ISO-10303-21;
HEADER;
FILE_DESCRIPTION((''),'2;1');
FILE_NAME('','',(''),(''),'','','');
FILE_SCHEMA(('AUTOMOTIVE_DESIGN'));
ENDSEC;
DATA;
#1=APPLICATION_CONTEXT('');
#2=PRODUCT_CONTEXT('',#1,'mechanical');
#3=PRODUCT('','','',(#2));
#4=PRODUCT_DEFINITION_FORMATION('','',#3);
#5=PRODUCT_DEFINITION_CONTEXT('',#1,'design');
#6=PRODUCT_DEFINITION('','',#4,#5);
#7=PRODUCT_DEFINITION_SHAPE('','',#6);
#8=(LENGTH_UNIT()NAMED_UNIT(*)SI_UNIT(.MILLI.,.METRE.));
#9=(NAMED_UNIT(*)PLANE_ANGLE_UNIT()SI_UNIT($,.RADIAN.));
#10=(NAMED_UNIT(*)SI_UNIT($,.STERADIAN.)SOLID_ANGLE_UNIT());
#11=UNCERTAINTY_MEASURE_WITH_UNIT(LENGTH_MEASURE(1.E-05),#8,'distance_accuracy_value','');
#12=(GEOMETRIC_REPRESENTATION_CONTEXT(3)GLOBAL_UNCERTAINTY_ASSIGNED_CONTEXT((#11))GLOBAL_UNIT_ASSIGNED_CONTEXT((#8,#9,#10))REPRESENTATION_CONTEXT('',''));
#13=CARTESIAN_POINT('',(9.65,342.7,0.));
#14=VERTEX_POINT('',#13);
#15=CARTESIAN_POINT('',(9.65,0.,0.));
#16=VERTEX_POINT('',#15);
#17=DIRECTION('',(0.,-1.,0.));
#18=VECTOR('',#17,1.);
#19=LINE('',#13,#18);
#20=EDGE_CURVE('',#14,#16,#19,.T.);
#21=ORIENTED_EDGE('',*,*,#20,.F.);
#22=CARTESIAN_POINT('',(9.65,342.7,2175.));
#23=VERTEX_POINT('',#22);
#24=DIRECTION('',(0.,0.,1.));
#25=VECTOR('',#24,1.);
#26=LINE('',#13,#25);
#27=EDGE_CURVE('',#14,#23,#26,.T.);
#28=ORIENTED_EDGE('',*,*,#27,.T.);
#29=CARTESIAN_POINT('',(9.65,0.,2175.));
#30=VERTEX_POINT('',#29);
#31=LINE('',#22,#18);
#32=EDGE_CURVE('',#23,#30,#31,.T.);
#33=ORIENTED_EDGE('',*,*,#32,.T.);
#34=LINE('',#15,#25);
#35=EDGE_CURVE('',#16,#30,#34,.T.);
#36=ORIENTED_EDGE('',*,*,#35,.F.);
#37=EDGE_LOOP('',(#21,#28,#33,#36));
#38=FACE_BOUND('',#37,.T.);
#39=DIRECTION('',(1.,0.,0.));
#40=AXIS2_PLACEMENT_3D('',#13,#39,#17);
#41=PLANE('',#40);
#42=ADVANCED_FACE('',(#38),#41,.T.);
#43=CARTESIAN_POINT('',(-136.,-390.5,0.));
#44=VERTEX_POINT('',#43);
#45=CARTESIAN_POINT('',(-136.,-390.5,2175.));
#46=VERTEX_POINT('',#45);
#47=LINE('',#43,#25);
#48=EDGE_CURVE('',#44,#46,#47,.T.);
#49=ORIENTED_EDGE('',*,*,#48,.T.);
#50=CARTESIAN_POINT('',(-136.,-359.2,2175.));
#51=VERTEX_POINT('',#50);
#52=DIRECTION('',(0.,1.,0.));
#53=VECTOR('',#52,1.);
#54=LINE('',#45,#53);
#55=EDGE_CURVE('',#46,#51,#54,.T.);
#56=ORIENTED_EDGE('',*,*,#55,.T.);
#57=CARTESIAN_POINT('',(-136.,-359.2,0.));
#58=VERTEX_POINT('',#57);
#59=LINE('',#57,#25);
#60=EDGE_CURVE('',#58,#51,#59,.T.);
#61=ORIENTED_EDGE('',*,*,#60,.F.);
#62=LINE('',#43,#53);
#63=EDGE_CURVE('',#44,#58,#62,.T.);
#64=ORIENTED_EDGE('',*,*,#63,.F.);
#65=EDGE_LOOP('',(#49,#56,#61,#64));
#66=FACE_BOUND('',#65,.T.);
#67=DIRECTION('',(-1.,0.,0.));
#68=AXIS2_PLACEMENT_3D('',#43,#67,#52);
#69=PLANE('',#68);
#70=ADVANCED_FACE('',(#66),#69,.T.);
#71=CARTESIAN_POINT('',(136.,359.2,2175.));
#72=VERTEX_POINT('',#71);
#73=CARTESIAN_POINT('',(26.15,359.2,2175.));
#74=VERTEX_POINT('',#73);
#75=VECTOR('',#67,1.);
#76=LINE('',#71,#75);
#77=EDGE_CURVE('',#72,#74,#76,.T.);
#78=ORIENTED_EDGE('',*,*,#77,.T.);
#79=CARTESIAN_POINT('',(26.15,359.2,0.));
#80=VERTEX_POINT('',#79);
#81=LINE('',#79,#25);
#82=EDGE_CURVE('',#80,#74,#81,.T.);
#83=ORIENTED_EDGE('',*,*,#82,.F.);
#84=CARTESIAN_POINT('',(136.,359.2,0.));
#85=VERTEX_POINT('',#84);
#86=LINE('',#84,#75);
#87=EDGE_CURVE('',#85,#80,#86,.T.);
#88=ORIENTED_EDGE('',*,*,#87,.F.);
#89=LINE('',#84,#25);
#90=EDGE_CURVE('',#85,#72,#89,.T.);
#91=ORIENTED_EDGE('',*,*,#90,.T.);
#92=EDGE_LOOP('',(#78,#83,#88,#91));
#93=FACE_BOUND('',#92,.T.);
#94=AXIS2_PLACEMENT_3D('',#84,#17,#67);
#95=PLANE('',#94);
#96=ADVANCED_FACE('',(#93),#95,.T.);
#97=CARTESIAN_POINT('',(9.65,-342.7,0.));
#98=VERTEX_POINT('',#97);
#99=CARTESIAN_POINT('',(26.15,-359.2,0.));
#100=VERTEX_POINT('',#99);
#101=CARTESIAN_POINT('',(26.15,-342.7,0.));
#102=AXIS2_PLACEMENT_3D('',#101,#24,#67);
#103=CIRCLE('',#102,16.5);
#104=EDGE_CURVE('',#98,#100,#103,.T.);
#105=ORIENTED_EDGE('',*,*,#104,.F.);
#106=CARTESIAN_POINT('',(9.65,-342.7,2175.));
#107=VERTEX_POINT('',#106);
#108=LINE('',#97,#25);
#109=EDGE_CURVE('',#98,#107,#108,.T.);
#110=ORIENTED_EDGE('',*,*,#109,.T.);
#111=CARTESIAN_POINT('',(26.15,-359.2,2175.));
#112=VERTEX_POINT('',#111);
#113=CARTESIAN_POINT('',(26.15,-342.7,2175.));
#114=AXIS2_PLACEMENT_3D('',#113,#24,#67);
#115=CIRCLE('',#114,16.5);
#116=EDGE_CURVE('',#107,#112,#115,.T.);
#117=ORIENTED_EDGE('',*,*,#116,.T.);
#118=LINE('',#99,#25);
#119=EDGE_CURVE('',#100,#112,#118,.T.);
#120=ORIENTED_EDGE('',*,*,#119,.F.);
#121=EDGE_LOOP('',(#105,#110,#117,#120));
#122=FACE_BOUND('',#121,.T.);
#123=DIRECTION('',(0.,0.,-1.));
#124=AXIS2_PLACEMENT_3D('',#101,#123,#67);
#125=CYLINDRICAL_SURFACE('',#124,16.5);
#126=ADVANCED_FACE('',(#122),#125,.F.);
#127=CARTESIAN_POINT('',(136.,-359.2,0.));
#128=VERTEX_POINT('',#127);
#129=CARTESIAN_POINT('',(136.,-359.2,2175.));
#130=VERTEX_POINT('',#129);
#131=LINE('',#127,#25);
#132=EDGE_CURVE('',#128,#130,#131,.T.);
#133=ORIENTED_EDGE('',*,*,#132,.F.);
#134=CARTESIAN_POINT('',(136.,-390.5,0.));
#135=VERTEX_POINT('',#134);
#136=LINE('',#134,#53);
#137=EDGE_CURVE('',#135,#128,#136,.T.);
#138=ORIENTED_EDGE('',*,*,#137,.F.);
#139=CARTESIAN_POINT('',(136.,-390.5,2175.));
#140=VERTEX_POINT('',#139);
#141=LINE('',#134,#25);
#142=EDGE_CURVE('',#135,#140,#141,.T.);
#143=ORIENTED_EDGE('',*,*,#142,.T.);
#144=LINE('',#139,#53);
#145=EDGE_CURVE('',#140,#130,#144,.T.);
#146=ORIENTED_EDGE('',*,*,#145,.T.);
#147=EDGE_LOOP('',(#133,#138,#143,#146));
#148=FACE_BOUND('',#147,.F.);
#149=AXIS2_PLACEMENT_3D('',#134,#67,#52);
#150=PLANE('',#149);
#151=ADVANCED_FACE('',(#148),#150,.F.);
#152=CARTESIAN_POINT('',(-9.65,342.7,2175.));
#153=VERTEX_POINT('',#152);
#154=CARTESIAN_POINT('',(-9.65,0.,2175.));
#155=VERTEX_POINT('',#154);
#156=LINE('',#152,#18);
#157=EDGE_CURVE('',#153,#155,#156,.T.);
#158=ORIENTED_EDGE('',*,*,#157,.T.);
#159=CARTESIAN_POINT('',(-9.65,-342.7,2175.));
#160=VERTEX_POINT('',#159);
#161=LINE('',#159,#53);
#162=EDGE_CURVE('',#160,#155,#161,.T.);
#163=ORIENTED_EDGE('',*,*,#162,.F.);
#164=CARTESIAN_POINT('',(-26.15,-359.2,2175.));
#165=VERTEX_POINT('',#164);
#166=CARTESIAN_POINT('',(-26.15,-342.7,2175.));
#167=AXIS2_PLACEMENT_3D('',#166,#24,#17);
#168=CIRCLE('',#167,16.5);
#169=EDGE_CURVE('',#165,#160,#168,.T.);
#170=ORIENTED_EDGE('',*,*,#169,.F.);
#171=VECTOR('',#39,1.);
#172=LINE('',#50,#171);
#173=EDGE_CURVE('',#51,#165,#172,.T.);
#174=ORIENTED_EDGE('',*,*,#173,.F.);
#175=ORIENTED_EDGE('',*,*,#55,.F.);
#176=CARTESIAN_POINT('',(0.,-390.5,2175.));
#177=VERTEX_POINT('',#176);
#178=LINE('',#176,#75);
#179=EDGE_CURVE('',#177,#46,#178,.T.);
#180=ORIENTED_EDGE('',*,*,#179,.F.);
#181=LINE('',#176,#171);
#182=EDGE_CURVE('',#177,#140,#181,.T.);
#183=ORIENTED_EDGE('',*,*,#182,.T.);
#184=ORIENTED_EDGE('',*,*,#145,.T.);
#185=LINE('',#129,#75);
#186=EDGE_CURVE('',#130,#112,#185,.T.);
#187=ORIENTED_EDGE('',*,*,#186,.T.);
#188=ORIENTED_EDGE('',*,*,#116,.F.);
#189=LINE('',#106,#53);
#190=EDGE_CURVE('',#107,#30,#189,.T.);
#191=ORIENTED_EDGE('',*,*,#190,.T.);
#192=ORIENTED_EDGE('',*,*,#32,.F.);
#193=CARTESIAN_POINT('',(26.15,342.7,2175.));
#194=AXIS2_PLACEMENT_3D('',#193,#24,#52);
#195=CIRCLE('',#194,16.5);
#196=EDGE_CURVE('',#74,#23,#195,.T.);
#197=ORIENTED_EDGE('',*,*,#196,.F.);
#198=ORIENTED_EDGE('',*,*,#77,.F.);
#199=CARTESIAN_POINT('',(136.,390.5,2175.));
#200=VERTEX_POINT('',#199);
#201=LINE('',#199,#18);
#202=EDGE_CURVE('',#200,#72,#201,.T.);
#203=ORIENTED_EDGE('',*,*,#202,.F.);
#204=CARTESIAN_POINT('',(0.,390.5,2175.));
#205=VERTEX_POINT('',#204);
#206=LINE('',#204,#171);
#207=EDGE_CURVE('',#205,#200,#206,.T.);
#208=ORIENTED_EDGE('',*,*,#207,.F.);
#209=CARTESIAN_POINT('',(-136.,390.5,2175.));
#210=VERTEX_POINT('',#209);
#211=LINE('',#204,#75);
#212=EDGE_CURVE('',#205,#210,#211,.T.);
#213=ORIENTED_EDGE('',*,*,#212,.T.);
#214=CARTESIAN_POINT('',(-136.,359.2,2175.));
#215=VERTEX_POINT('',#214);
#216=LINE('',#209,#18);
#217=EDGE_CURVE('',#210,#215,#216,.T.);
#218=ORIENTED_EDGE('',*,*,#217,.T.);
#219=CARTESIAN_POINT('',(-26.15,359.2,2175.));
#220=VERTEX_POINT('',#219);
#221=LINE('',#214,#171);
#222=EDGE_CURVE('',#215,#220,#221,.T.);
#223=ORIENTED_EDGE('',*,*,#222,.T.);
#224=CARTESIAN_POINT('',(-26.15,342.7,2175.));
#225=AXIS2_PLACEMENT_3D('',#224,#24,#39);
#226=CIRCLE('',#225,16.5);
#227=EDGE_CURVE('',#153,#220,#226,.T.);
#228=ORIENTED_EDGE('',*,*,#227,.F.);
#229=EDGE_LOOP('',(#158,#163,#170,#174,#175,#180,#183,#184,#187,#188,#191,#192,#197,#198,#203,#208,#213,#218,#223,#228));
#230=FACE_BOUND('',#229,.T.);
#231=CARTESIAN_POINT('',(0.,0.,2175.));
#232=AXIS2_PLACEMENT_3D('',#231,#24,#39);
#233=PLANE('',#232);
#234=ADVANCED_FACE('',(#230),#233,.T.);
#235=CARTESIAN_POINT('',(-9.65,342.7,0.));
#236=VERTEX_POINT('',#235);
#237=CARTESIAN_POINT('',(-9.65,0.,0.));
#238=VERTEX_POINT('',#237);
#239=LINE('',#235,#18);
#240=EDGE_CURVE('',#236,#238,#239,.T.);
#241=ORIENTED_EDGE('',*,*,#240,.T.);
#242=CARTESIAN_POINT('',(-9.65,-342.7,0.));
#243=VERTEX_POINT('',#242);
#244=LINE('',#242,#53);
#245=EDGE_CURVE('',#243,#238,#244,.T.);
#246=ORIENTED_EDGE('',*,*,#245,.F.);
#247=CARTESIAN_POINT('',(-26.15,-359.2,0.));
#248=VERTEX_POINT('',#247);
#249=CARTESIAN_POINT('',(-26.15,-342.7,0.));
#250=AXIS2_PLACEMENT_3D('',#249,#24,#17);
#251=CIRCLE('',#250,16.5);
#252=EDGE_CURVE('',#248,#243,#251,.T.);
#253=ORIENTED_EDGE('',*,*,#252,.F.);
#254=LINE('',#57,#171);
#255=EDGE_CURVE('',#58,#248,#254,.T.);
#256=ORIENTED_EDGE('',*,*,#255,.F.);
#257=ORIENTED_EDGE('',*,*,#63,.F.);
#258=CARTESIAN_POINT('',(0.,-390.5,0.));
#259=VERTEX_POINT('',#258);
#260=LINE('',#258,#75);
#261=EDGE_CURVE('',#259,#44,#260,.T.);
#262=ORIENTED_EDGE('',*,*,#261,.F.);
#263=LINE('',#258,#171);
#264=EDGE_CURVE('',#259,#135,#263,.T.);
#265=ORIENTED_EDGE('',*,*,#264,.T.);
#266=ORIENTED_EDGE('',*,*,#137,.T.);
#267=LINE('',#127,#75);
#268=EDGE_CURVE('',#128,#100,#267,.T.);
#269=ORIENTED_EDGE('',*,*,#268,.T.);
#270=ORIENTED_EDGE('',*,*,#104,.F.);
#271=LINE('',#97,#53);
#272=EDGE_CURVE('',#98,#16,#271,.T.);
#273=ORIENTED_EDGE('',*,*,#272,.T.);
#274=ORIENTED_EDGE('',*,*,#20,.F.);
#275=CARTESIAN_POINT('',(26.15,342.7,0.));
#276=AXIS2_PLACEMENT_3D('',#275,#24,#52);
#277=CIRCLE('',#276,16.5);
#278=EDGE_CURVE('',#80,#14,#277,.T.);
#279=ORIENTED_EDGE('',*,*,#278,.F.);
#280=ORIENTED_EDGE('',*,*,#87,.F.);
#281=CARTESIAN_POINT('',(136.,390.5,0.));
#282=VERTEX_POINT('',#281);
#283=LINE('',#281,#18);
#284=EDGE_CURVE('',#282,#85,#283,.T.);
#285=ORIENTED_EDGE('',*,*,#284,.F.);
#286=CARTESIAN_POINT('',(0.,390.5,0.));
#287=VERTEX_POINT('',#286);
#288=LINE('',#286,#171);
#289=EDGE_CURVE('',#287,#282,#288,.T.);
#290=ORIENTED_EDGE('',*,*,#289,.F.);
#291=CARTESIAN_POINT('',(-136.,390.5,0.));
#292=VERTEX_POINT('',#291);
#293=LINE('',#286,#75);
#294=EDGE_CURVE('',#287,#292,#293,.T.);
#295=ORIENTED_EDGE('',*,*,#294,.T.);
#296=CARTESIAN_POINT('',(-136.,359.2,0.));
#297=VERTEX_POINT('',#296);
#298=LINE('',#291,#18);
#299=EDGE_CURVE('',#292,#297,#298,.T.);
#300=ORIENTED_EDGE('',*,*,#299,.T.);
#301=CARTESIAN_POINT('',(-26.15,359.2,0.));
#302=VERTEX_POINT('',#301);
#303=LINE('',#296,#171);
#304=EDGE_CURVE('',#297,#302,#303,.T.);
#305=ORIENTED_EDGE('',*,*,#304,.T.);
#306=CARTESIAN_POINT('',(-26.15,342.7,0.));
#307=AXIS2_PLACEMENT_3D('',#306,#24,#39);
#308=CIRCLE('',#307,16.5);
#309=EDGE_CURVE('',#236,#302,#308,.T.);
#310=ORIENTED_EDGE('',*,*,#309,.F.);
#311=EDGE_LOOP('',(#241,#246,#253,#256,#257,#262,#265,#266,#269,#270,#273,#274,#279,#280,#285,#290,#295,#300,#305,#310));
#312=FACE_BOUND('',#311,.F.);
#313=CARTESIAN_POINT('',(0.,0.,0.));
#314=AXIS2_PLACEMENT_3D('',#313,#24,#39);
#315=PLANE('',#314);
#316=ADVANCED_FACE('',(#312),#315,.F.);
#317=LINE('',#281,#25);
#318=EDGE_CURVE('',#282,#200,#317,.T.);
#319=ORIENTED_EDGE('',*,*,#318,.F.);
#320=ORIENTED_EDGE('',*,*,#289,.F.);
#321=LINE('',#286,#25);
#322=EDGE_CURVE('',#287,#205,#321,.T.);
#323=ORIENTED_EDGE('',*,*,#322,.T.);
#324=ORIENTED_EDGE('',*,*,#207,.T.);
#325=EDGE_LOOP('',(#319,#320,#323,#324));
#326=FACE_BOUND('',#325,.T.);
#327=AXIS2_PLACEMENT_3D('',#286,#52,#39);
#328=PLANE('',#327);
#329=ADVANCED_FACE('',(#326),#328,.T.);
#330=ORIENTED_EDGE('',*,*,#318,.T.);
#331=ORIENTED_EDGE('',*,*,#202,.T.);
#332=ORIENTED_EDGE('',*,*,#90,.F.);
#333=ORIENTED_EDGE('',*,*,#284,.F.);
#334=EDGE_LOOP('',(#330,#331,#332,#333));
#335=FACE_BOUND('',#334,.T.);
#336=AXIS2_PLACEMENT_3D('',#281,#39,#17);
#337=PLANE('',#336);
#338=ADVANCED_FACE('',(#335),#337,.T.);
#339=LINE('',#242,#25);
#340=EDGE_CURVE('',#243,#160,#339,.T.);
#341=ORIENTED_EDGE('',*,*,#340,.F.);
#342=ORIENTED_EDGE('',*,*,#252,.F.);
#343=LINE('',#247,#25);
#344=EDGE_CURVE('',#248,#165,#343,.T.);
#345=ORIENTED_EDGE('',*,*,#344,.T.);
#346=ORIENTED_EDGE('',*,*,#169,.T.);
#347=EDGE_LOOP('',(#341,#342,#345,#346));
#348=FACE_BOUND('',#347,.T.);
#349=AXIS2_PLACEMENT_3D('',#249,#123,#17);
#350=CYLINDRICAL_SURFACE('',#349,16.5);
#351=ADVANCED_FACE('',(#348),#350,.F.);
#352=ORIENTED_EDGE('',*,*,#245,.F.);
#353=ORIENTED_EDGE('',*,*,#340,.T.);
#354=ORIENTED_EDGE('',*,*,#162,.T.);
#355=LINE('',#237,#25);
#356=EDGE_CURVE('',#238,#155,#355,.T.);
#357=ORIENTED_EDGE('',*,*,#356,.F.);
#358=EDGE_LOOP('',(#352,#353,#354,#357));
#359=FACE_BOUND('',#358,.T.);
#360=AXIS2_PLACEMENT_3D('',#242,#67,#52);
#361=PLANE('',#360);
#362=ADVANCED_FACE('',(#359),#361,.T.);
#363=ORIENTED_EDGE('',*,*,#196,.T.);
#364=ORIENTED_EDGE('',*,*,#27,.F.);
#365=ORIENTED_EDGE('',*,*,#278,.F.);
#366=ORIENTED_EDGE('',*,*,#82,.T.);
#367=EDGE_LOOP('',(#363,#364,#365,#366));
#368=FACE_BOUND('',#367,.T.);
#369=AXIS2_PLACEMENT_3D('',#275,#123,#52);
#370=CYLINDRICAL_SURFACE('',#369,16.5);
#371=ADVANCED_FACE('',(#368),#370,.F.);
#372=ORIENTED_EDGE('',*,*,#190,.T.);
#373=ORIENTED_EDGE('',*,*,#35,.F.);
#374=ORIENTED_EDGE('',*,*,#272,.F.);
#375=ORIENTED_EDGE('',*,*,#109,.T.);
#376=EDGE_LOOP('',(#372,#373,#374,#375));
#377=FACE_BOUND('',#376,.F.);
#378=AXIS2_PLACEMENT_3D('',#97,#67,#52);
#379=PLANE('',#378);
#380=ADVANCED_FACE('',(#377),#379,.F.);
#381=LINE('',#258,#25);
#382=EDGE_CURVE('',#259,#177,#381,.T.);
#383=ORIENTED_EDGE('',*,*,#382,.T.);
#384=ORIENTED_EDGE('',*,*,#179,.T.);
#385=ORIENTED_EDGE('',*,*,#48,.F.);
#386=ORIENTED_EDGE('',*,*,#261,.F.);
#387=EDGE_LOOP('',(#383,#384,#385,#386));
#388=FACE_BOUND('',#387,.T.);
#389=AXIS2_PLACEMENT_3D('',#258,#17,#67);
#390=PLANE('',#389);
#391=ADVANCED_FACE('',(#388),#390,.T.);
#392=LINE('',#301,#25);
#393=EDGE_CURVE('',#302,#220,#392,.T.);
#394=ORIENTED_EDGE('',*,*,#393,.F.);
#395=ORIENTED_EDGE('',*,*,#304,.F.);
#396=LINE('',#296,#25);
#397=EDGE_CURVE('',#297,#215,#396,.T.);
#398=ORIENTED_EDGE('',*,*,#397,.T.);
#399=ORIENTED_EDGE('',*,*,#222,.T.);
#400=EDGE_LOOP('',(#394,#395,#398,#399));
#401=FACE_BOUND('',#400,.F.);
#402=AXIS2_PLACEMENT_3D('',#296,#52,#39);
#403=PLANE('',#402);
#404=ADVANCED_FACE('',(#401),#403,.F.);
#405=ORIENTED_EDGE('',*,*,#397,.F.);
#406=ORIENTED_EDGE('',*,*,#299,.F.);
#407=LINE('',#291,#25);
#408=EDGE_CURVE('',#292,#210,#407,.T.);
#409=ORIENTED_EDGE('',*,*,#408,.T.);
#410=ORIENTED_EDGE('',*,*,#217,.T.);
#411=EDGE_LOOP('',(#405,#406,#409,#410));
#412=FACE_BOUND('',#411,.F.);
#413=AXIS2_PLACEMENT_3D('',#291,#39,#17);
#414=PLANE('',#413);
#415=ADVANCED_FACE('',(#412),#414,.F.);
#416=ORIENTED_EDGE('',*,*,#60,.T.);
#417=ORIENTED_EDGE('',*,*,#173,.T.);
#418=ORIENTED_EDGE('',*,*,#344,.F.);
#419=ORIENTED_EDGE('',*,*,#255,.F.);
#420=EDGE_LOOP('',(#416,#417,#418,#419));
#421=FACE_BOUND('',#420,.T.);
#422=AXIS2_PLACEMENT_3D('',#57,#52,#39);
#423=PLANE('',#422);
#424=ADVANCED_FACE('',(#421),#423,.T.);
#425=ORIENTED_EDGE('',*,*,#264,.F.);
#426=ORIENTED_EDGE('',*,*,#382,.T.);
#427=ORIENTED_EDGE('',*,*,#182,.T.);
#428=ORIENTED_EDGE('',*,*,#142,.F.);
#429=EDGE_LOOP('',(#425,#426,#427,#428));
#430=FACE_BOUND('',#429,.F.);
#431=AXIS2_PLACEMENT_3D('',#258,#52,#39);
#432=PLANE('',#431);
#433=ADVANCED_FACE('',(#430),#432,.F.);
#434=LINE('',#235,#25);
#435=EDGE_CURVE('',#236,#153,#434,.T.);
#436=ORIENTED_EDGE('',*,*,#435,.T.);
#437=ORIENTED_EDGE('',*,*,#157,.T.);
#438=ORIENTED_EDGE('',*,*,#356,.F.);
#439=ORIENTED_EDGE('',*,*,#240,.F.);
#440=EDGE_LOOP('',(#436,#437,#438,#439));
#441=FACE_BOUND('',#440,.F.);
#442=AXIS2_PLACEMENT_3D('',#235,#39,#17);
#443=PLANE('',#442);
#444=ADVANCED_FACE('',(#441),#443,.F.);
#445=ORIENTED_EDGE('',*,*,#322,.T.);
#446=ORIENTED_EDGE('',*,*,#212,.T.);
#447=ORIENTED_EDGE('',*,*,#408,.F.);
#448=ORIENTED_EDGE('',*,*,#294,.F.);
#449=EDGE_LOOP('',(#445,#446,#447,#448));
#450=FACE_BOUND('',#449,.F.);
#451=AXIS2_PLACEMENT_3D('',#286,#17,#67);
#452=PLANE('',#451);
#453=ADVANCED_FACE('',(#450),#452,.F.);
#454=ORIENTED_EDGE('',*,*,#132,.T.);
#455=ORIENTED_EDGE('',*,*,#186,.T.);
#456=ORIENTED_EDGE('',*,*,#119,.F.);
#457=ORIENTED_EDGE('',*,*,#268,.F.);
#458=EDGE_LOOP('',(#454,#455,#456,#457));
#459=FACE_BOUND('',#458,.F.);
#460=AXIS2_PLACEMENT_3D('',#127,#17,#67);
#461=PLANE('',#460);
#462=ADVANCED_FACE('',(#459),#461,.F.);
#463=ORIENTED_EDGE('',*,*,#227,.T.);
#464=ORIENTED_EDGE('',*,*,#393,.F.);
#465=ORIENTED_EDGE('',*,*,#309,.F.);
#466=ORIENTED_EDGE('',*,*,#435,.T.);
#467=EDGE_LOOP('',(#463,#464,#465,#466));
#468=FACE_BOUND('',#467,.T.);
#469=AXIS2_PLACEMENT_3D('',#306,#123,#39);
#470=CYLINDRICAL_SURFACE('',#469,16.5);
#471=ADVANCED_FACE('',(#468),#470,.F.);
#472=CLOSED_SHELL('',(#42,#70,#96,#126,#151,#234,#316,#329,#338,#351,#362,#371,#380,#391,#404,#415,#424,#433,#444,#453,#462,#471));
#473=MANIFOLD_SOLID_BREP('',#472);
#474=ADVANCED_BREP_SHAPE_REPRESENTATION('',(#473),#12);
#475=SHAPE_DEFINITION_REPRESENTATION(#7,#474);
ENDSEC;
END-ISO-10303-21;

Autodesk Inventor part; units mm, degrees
ref_plane "YZ Plane" through (0, 0, 0) normal (1, 0, 0) x (0, 1, 0)
ref_plane "Start plane" through (0, 0, 0) normal (0, 0, 1) x (1, 0, 0)
ref_plane "End plane" through (0, 0, 2175) normal (0, 0, 1) x (1, 0, 0)
sketch "Sketch" plane through (0, 0, 0) normal (0, 0, 1) x (1, 0, 0)
  line L0 (-136, -390.5) -> (-136, -359.2)
  line L1 (-136, -359.2) -> (-26.15, -359.2)
  line L2 (-9.65, -342.7) -> (-9.65, 0)
  line L3 (-9.65, 0) -> (0, 0) construction
  line L4 (0, 0) -> (0, -390.5) construction
  line L5 (0, -390.5) -> (-136, -390.5)
  line L6 (-60, 0) -> (80, 0) construction
  line L7 (0, -60) -> (0, 80) construction
  line L8 (136, -390.5) -> (136, -359.2)
  line L9 (136, -359.2) -> (26.15, -359.2)
  line L10 (9.65, -342.7) -> (9.65, 0)
  line L11 (9.65, 0) -> (0, 0) construction
  line L12 (0, -390.5) -> (136, -390.5)
  line L13 (-136, 390.5) -> (-136, 359.2)
  line L14 (-136, 359.2) -> (-26.15, 359.2)
  line L15 (-9.65, 342.7) -> (-9.65, 0)
  line L16 (0, 390.5) -> (-136, 390.5)
  line L17 (136, 390.5) -> (136, 359.2)
  line L18 (136, 359.2) -> (26.15, 359.2)
  line L19 (0, 390.5) -> (136, 390.5)
  line L20 (9.65, 342.7) -> (9.65, 0)
  arc A0 (-9.65, 342.7) -> (-26.15, 359.2) centre (-26.15, 342.7) ccw
  arc A1 (26.15, 359.2) -> (9.65, 342.7) centre (26.15, 342.7) ccw
  arc A2 (9.65, -342.7) -> (26.15, -359.2) centre (26.15, -342.7) ccw
  arc A3 (-26.15, -359.2) -> (-9.65, -342.7) centre (-26.15, -342.7) ccw
  line L21 (0, 108) -> (0, -88) construction
  line L22 (-88, 0) -> (108, 0) construction
  point P0 (-9.65, -359.2)
  point P1 (9.65, -359.2)
  point P2 (-9.65, 359.2)
  point P3 (9.65, 359.2)
  dimension "d1" = 390.5
  dimension "d2" = 31.3
  dimension "d3" = 136
  dimension "d4" = 9.65
  dimension "d10" = 16.5
extrude "Body" add sketch "Sketch" along normal up to surface (2175 mm away) from surface at 0
sketch "Sketch4" plane through (0, 0, 0) normal (0, 0, 1) x (1, 0, 0)
  line L0 (0, 0) -> (10, 0)
ref_plane "Work Plane3" through (0, 0, 0) normal (0, -1, 0) x (1, 0, 0)
sketch "Sketch5" plane through (0, 0, 0) normal (0, -1, 0) x (1, 0, 0)
  line L0 (-2, 0) -> (12, 0) projected
  line L1 (-2, 2175) -> (12, 2175) projected
  dimension "d14" = 2175
equation "\"d1\" = 0.5 * G_H"
equation "\"d2\" = G_T1"
equation "\"d3\" = 0.5 * G_W"
equation "\"d4\" = 0.5 * G_T"
equation "\"d10\" = G_IR"
equation "\"d5\" = G_L"
equation "\"G_W\" = 272"
equation "\"G_H\" = 781"
equation "\"G_T\" = 19.3"
equation "\"G_T1\" = 31.3"
equation "\"G_IR\" = 16.5"
equation "\"G_L\" = d14"
equation "\"G_OFFSET_START\" = 0"
equation "\"G_OFFSET_END\" = 0"
equation "\"d12\" = G_OFFSET_END + B_L"
equation "\"B_L\" = 2175"
properties part number "AS 3679-1990 - 760 UB - 244 - 2175" material "Steel, Mild"
